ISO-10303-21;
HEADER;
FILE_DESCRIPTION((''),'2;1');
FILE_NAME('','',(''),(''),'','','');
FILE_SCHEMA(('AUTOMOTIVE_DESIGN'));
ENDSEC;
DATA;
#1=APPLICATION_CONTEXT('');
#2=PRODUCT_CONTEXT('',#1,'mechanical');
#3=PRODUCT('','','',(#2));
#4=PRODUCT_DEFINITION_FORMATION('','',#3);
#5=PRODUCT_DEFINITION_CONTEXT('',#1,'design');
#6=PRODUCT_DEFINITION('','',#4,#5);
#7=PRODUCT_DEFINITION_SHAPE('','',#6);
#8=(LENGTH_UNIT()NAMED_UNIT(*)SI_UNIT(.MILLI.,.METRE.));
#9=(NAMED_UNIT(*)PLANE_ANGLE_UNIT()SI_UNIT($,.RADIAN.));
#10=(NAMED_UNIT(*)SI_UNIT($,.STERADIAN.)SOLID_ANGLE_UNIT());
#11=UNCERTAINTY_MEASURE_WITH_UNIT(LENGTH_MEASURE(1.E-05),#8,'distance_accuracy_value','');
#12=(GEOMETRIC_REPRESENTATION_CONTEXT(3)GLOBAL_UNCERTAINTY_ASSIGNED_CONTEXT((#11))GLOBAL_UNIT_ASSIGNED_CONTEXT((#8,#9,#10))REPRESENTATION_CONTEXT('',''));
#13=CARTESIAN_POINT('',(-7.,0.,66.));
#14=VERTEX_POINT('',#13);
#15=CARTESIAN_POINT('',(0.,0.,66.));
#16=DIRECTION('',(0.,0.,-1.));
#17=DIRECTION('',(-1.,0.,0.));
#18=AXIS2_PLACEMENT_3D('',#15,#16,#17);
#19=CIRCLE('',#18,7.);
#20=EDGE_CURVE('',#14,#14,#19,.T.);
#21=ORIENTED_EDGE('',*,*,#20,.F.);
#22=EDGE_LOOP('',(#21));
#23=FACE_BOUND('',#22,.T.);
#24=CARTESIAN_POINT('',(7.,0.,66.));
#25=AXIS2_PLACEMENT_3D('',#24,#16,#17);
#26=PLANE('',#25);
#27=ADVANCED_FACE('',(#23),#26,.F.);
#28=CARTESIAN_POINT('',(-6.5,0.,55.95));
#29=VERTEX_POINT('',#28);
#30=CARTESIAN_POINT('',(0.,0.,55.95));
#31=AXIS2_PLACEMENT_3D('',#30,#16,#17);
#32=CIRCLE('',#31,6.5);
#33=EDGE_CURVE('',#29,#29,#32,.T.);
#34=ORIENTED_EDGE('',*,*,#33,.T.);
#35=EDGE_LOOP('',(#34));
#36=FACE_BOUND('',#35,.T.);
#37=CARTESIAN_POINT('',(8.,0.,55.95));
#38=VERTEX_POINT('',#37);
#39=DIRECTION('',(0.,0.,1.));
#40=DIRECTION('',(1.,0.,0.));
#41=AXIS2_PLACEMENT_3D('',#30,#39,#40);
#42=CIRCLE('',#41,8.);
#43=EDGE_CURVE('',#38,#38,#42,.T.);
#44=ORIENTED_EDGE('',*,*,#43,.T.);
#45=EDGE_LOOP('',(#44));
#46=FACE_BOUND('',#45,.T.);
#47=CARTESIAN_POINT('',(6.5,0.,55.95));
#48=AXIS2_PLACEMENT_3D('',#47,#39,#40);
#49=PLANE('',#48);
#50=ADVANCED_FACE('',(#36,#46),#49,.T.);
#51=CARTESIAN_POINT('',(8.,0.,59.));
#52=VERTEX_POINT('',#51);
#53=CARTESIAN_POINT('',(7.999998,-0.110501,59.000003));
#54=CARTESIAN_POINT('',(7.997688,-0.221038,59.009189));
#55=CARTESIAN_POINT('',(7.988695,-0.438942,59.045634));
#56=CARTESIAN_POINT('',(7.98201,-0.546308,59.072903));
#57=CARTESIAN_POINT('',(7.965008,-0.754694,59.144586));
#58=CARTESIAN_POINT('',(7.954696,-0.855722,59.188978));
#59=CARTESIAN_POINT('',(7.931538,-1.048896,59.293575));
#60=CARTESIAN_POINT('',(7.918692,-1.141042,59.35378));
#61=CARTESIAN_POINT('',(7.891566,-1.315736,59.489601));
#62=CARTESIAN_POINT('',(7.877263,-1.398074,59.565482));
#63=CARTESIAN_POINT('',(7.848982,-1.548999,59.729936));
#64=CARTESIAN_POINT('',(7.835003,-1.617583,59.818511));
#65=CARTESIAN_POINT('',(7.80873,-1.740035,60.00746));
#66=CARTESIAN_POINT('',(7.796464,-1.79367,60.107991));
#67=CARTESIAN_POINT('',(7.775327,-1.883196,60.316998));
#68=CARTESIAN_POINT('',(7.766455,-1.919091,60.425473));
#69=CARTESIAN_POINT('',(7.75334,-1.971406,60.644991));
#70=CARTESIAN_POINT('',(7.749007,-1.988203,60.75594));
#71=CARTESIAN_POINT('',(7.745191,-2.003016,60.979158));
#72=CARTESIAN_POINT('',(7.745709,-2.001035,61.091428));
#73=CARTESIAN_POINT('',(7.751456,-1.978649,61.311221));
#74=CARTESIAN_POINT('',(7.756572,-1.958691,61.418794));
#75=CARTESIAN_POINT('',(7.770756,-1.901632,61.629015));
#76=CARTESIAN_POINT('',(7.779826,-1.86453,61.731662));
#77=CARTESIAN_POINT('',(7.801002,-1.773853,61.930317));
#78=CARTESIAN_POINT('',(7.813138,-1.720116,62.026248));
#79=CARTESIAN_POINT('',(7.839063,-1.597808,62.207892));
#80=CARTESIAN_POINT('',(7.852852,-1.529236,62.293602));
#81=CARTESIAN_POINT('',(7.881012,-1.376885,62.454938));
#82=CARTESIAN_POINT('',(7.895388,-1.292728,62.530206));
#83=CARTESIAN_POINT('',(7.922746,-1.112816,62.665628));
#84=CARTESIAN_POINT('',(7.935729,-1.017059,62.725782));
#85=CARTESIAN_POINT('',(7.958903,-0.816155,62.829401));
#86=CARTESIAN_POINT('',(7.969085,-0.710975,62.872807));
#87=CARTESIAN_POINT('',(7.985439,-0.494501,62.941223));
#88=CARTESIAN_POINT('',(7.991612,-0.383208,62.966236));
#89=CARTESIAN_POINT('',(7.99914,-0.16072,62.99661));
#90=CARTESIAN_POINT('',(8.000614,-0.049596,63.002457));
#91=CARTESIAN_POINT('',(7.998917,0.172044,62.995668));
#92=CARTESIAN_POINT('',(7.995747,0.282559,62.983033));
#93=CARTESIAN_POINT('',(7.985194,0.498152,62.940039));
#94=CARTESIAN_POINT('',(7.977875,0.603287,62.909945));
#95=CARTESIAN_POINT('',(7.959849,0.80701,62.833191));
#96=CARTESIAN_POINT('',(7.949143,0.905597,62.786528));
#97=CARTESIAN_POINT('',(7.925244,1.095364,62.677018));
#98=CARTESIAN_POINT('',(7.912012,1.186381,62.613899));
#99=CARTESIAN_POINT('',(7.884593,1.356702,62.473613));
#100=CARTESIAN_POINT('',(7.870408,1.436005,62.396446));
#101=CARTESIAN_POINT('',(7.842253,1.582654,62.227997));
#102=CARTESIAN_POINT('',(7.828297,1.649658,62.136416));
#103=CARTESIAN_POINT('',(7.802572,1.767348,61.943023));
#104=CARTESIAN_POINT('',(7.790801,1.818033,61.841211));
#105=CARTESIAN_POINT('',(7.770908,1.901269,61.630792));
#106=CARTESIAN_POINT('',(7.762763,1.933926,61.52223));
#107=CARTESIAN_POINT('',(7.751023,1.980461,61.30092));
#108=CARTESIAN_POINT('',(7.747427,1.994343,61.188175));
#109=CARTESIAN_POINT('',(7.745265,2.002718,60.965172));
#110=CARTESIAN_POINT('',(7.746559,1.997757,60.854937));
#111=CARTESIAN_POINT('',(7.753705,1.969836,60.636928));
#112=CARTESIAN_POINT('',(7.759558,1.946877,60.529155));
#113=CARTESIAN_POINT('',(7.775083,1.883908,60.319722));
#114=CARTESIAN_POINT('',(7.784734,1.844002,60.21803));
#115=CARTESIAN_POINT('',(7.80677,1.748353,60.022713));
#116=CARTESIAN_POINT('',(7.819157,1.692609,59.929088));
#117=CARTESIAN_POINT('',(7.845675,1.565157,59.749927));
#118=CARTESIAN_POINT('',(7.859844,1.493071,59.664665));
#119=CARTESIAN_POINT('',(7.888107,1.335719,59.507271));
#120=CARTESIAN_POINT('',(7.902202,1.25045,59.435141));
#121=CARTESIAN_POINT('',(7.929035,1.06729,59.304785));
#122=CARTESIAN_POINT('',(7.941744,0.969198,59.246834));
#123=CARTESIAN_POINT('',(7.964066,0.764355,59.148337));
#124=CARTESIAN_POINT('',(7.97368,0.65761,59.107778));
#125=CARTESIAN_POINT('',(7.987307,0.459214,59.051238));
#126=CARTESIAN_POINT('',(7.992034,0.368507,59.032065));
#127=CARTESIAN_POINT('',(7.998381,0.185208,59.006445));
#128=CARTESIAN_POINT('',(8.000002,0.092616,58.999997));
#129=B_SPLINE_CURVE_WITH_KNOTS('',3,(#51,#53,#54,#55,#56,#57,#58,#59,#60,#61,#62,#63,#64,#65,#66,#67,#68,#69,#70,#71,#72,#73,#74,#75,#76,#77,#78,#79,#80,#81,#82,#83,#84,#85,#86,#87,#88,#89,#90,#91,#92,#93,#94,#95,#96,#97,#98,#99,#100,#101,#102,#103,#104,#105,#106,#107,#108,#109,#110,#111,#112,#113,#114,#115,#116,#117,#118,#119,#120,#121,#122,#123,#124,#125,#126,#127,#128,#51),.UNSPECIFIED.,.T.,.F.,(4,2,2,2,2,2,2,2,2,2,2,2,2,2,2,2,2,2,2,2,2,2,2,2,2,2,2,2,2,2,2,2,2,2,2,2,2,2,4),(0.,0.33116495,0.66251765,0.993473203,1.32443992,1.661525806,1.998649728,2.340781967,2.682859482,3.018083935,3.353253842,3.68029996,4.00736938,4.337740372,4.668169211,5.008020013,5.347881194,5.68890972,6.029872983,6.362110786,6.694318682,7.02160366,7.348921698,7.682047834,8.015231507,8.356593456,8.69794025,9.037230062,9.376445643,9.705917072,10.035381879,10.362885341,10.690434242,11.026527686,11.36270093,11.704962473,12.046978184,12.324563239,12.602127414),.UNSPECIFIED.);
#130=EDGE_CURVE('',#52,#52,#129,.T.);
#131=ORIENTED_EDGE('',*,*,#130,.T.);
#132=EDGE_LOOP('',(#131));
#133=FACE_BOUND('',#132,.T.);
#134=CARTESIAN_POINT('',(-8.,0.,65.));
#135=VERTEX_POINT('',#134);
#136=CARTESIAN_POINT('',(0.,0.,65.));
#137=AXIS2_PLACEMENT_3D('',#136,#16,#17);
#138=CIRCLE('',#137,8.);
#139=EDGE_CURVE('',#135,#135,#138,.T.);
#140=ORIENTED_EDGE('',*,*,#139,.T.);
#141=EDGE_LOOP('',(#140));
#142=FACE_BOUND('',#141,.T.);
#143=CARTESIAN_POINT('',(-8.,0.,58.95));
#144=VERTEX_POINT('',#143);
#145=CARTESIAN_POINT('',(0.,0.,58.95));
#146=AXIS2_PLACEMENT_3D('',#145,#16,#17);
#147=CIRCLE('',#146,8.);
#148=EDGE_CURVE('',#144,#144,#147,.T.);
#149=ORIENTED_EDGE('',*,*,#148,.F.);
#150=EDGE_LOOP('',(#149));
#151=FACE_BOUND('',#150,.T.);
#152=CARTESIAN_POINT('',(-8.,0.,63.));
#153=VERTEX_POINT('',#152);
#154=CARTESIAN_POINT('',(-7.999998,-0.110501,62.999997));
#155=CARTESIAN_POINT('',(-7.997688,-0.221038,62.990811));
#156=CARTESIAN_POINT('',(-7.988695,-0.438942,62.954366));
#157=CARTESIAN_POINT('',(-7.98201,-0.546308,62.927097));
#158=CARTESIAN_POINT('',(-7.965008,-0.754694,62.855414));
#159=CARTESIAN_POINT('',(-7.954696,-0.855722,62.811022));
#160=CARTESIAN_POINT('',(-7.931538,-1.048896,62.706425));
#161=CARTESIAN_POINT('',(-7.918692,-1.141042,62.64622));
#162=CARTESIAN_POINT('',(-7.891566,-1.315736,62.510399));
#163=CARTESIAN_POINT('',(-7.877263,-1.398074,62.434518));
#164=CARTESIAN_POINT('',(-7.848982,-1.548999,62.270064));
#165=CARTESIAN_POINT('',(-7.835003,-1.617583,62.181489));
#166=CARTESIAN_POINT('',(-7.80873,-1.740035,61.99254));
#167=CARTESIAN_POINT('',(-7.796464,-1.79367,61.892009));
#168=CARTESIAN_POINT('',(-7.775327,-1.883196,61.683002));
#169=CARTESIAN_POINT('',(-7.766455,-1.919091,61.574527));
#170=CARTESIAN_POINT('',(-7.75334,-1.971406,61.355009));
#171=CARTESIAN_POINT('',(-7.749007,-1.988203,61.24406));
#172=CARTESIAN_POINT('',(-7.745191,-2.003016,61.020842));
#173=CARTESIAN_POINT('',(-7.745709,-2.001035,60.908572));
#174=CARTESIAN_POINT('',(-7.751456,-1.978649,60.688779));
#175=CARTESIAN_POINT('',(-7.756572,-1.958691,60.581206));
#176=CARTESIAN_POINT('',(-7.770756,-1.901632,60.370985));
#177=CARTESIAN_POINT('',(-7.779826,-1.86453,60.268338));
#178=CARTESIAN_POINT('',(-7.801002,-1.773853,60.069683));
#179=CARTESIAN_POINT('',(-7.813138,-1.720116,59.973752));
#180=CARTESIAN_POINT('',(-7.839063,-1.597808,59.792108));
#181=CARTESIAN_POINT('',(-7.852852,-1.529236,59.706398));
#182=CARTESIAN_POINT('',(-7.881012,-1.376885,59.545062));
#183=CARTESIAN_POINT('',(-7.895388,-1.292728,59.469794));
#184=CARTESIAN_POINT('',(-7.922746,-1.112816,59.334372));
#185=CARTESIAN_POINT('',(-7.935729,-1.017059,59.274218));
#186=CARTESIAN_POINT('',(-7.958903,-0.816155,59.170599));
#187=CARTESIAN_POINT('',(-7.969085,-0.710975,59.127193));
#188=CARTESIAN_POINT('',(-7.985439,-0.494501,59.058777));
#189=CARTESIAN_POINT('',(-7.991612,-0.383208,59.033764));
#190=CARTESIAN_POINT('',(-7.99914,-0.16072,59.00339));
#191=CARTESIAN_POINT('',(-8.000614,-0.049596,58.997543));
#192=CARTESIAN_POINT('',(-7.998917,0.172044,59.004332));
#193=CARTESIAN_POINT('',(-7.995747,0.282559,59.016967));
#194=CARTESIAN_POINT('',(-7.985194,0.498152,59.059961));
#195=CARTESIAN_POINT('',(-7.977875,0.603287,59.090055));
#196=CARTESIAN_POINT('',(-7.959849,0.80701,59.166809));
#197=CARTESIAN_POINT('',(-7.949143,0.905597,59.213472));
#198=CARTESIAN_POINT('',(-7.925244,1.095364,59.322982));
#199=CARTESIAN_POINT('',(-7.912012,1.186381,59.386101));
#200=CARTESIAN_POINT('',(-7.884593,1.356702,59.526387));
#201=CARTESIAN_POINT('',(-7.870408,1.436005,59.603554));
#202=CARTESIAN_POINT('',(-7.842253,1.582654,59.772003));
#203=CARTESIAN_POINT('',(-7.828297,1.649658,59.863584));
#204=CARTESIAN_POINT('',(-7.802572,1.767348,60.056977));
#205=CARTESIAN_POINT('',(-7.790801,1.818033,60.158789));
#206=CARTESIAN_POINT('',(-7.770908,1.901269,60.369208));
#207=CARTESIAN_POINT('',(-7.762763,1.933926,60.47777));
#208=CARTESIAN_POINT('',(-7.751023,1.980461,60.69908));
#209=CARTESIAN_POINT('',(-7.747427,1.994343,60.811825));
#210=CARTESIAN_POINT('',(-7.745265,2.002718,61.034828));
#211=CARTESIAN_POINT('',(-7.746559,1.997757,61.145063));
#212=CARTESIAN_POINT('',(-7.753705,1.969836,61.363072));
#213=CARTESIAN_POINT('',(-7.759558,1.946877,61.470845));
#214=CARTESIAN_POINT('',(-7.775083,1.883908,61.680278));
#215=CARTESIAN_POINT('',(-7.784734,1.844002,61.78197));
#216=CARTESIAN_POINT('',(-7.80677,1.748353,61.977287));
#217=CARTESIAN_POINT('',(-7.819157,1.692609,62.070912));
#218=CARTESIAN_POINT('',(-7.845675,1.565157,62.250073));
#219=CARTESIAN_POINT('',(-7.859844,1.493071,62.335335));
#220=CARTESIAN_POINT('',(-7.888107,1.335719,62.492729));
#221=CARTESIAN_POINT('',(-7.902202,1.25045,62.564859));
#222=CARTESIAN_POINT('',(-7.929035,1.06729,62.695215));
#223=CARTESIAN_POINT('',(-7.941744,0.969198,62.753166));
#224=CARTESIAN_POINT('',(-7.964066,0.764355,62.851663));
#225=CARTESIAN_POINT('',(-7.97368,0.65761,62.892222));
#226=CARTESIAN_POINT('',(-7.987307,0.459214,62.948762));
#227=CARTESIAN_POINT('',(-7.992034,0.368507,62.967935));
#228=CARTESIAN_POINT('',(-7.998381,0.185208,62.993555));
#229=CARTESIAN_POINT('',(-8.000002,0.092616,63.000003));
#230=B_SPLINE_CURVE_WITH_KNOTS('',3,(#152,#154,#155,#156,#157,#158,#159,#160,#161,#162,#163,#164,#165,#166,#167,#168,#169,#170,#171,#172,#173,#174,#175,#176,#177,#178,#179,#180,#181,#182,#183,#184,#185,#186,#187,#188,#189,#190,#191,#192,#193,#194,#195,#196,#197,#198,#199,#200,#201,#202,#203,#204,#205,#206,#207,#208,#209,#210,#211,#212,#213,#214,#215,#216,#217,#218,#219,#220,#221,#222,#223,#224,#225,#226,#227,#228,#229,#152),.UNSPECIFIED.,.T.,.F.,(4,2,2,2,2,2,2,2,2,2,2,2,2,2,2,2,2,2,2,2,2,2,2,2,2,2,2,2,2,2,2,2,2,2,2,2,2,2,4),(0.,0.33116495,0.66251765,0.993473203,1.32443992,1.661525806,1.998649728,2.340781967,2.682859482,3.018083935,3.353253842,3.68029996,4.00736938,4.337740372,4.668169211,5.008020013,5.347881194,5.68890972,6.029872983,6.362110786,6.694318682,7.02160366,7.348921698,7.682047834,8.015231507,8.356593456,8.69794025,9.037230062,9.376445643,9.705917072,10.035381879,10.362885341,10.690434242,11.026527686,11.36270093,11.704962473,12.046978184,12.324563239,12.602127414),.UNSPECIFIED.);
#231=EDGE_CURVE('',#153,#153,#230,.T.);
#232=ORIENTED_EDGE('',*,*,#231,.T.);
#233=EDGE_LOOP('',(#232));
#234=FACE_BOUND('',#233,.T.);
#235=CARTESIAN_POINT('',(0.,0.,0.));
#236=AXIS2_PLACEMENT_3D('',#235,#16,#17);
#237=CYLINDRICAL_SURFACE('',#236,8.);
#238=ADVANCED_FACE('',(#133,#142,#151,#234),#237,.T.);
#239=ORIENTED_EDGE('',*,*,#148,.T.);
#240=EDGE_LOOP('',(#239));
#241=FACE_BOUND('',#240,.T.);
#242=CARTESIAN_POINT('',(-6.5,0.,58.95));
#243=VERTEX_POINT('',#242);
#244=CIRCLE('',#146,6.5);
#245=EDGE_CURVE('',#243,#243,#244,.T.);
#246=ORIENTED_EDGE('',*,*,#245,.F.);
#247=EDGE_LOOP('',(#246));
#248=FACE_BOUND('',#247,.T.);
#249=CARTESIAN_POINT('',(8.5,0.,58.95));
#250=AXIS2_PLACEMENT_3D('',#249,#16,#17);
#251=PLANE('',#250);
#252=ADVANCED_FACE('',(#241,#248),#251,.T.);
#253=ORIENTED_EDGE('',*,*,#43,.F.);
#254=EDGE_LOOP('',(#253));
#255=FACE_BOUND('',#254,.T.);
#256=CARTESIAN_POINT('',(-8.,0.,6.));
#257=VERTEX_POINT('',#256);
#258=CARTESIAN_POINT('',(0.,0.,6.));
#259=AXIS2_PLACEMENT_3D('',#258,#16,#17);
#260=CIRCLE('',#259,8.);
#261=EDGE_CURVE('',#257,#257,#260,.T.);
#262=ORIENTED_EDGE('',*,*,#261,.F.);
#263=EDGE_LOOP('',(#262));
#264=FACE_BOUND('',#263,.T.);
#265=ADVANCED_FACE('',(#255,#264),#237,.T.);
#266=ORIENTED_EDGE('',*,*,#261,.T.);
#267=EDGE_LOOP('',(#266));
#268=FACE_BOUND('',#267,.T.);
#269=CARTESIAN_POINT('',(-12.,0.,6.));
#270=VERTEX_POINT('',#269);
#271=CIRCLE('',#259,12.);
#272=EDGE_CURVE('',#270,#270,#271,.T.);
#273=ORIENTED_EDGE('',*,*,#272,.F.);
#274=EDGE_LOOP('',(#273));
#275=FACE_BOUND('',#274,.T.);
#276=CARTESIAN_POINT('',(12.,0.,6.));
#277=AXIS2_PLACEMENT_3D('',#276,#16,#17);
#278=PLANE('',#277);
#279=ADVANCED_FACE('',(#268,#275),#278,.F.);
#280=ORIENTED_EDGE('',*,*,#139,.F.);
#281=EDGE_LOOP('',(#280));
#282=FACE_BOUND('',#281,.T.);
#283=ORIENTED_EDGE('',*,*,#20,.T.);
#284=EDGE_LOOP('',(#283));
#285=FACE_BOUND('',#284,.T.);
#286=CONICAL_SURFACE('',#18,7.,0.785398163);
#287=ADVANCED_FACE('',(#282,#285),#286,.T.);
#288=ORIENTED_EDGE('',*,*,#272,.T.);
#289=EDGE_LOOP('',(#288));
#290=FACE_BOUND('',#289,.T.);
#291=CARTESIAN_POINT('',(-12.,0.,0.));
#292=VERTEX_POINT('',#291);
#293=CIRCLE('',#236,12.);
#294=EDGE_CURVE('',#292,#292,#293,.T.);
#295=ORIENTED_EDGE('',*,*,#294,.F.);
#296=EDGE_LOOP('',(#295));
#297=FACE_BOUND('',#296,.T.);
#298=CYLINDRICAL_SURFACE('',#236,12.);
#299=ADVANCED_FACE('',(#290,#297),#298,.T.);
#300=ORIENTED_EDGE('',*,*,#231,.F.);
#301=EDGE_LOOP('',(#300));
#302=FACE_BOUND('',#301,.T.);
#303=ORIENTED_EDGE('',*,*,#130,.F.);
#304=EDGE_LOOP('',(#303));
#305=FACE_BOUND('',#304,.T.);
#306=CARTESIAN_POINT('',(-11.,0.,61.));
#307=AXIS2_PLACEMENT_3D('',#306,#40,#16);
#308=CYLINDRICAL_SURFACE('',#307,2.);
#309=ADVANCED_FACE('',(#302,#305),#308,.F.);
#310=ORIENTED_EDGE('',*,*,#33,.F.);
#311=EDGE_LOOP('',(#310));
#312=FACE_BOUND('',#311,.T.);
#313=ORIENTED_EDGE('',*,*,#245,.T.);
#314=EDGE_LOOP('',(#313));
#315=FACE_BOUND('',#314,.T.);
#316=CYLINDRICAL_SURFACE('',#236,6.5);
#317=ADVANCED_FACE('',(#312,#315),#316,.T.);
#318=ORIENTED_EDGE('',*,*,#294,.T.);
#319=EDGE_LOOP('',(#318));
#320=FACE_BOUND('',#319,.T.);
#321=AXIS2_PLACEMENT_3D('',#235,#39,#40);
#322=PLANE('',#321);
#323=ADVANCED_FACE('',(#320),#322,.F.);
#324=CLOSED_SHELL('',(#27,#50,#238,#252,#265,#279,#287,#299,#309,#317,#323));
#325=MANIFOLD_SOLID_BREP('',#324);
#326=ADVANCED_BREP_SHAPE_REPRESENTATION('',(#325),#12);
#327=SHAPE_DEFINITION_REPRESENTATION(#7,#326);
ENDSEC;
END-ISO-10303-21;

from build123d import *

# Parameters (mm, degrees)
SKETCH_9_R           = 2
CUT_EXTRUDE_12_DEPTH = 20
SKETCH_13_W          = 2
SKETCH_13_H          = 3


with BuildPart() as part:
    # 草图8 → 旋转2 (revolve)
    with BuildSketch(Plane(origin=(0, 0, 0), x_dir=(1, 0, 0), z_dir=(0, 1, 0)), mode=Mode.PRIVATE) as revolve_2_sk:
        Polygon((0, 0), (12, 0), (12, -6), (8, -6), (8, -65), (7, -66), (0, -66), align=None)
    revolve(revolve_2_sk.sketch.rotate(Axis((0, 0, 0), (0, 0, 1)), 180), axis=Axis((0, 0, 0), (0, 0, 1)))

    # 草图9 → 切除-拉伸12 (cut)
    with BuildSketch(Plane(origin=(9, 0, 0), x_dir=(0, 0, -1), z_dir=(1, 0, 0))):
        with Locations((-61, 0)):
            Circle(SKETCH_9_R)
    extrude(amount=-CUT_EXTRUDE_12_DEPTH, mode=Mode.SUBTRACT)

    # 草图13 → 切除-旋转3 (revolve, cut)
    with BuildSketch(Plane(origin=(0, 0, 0), x_dir=(1, 0, 0), z_dir=(0, 1, 0)), mode=Mode.PRIVATE) as cut_revolve_3_sk:
        with Locations((7.5, -57.45)):
            Rectangle(SKETCH_13_W, SKETCH_13_H)
    revolve(cut_revolve_3_sk.sketch.rotate(Axis((0, 0, 0), (0, 0, 1)), 180), axis=Axis((0, 0, 0), (0, 0, 1)), mode=Mode.SUBTRACT)


solid = part.part
